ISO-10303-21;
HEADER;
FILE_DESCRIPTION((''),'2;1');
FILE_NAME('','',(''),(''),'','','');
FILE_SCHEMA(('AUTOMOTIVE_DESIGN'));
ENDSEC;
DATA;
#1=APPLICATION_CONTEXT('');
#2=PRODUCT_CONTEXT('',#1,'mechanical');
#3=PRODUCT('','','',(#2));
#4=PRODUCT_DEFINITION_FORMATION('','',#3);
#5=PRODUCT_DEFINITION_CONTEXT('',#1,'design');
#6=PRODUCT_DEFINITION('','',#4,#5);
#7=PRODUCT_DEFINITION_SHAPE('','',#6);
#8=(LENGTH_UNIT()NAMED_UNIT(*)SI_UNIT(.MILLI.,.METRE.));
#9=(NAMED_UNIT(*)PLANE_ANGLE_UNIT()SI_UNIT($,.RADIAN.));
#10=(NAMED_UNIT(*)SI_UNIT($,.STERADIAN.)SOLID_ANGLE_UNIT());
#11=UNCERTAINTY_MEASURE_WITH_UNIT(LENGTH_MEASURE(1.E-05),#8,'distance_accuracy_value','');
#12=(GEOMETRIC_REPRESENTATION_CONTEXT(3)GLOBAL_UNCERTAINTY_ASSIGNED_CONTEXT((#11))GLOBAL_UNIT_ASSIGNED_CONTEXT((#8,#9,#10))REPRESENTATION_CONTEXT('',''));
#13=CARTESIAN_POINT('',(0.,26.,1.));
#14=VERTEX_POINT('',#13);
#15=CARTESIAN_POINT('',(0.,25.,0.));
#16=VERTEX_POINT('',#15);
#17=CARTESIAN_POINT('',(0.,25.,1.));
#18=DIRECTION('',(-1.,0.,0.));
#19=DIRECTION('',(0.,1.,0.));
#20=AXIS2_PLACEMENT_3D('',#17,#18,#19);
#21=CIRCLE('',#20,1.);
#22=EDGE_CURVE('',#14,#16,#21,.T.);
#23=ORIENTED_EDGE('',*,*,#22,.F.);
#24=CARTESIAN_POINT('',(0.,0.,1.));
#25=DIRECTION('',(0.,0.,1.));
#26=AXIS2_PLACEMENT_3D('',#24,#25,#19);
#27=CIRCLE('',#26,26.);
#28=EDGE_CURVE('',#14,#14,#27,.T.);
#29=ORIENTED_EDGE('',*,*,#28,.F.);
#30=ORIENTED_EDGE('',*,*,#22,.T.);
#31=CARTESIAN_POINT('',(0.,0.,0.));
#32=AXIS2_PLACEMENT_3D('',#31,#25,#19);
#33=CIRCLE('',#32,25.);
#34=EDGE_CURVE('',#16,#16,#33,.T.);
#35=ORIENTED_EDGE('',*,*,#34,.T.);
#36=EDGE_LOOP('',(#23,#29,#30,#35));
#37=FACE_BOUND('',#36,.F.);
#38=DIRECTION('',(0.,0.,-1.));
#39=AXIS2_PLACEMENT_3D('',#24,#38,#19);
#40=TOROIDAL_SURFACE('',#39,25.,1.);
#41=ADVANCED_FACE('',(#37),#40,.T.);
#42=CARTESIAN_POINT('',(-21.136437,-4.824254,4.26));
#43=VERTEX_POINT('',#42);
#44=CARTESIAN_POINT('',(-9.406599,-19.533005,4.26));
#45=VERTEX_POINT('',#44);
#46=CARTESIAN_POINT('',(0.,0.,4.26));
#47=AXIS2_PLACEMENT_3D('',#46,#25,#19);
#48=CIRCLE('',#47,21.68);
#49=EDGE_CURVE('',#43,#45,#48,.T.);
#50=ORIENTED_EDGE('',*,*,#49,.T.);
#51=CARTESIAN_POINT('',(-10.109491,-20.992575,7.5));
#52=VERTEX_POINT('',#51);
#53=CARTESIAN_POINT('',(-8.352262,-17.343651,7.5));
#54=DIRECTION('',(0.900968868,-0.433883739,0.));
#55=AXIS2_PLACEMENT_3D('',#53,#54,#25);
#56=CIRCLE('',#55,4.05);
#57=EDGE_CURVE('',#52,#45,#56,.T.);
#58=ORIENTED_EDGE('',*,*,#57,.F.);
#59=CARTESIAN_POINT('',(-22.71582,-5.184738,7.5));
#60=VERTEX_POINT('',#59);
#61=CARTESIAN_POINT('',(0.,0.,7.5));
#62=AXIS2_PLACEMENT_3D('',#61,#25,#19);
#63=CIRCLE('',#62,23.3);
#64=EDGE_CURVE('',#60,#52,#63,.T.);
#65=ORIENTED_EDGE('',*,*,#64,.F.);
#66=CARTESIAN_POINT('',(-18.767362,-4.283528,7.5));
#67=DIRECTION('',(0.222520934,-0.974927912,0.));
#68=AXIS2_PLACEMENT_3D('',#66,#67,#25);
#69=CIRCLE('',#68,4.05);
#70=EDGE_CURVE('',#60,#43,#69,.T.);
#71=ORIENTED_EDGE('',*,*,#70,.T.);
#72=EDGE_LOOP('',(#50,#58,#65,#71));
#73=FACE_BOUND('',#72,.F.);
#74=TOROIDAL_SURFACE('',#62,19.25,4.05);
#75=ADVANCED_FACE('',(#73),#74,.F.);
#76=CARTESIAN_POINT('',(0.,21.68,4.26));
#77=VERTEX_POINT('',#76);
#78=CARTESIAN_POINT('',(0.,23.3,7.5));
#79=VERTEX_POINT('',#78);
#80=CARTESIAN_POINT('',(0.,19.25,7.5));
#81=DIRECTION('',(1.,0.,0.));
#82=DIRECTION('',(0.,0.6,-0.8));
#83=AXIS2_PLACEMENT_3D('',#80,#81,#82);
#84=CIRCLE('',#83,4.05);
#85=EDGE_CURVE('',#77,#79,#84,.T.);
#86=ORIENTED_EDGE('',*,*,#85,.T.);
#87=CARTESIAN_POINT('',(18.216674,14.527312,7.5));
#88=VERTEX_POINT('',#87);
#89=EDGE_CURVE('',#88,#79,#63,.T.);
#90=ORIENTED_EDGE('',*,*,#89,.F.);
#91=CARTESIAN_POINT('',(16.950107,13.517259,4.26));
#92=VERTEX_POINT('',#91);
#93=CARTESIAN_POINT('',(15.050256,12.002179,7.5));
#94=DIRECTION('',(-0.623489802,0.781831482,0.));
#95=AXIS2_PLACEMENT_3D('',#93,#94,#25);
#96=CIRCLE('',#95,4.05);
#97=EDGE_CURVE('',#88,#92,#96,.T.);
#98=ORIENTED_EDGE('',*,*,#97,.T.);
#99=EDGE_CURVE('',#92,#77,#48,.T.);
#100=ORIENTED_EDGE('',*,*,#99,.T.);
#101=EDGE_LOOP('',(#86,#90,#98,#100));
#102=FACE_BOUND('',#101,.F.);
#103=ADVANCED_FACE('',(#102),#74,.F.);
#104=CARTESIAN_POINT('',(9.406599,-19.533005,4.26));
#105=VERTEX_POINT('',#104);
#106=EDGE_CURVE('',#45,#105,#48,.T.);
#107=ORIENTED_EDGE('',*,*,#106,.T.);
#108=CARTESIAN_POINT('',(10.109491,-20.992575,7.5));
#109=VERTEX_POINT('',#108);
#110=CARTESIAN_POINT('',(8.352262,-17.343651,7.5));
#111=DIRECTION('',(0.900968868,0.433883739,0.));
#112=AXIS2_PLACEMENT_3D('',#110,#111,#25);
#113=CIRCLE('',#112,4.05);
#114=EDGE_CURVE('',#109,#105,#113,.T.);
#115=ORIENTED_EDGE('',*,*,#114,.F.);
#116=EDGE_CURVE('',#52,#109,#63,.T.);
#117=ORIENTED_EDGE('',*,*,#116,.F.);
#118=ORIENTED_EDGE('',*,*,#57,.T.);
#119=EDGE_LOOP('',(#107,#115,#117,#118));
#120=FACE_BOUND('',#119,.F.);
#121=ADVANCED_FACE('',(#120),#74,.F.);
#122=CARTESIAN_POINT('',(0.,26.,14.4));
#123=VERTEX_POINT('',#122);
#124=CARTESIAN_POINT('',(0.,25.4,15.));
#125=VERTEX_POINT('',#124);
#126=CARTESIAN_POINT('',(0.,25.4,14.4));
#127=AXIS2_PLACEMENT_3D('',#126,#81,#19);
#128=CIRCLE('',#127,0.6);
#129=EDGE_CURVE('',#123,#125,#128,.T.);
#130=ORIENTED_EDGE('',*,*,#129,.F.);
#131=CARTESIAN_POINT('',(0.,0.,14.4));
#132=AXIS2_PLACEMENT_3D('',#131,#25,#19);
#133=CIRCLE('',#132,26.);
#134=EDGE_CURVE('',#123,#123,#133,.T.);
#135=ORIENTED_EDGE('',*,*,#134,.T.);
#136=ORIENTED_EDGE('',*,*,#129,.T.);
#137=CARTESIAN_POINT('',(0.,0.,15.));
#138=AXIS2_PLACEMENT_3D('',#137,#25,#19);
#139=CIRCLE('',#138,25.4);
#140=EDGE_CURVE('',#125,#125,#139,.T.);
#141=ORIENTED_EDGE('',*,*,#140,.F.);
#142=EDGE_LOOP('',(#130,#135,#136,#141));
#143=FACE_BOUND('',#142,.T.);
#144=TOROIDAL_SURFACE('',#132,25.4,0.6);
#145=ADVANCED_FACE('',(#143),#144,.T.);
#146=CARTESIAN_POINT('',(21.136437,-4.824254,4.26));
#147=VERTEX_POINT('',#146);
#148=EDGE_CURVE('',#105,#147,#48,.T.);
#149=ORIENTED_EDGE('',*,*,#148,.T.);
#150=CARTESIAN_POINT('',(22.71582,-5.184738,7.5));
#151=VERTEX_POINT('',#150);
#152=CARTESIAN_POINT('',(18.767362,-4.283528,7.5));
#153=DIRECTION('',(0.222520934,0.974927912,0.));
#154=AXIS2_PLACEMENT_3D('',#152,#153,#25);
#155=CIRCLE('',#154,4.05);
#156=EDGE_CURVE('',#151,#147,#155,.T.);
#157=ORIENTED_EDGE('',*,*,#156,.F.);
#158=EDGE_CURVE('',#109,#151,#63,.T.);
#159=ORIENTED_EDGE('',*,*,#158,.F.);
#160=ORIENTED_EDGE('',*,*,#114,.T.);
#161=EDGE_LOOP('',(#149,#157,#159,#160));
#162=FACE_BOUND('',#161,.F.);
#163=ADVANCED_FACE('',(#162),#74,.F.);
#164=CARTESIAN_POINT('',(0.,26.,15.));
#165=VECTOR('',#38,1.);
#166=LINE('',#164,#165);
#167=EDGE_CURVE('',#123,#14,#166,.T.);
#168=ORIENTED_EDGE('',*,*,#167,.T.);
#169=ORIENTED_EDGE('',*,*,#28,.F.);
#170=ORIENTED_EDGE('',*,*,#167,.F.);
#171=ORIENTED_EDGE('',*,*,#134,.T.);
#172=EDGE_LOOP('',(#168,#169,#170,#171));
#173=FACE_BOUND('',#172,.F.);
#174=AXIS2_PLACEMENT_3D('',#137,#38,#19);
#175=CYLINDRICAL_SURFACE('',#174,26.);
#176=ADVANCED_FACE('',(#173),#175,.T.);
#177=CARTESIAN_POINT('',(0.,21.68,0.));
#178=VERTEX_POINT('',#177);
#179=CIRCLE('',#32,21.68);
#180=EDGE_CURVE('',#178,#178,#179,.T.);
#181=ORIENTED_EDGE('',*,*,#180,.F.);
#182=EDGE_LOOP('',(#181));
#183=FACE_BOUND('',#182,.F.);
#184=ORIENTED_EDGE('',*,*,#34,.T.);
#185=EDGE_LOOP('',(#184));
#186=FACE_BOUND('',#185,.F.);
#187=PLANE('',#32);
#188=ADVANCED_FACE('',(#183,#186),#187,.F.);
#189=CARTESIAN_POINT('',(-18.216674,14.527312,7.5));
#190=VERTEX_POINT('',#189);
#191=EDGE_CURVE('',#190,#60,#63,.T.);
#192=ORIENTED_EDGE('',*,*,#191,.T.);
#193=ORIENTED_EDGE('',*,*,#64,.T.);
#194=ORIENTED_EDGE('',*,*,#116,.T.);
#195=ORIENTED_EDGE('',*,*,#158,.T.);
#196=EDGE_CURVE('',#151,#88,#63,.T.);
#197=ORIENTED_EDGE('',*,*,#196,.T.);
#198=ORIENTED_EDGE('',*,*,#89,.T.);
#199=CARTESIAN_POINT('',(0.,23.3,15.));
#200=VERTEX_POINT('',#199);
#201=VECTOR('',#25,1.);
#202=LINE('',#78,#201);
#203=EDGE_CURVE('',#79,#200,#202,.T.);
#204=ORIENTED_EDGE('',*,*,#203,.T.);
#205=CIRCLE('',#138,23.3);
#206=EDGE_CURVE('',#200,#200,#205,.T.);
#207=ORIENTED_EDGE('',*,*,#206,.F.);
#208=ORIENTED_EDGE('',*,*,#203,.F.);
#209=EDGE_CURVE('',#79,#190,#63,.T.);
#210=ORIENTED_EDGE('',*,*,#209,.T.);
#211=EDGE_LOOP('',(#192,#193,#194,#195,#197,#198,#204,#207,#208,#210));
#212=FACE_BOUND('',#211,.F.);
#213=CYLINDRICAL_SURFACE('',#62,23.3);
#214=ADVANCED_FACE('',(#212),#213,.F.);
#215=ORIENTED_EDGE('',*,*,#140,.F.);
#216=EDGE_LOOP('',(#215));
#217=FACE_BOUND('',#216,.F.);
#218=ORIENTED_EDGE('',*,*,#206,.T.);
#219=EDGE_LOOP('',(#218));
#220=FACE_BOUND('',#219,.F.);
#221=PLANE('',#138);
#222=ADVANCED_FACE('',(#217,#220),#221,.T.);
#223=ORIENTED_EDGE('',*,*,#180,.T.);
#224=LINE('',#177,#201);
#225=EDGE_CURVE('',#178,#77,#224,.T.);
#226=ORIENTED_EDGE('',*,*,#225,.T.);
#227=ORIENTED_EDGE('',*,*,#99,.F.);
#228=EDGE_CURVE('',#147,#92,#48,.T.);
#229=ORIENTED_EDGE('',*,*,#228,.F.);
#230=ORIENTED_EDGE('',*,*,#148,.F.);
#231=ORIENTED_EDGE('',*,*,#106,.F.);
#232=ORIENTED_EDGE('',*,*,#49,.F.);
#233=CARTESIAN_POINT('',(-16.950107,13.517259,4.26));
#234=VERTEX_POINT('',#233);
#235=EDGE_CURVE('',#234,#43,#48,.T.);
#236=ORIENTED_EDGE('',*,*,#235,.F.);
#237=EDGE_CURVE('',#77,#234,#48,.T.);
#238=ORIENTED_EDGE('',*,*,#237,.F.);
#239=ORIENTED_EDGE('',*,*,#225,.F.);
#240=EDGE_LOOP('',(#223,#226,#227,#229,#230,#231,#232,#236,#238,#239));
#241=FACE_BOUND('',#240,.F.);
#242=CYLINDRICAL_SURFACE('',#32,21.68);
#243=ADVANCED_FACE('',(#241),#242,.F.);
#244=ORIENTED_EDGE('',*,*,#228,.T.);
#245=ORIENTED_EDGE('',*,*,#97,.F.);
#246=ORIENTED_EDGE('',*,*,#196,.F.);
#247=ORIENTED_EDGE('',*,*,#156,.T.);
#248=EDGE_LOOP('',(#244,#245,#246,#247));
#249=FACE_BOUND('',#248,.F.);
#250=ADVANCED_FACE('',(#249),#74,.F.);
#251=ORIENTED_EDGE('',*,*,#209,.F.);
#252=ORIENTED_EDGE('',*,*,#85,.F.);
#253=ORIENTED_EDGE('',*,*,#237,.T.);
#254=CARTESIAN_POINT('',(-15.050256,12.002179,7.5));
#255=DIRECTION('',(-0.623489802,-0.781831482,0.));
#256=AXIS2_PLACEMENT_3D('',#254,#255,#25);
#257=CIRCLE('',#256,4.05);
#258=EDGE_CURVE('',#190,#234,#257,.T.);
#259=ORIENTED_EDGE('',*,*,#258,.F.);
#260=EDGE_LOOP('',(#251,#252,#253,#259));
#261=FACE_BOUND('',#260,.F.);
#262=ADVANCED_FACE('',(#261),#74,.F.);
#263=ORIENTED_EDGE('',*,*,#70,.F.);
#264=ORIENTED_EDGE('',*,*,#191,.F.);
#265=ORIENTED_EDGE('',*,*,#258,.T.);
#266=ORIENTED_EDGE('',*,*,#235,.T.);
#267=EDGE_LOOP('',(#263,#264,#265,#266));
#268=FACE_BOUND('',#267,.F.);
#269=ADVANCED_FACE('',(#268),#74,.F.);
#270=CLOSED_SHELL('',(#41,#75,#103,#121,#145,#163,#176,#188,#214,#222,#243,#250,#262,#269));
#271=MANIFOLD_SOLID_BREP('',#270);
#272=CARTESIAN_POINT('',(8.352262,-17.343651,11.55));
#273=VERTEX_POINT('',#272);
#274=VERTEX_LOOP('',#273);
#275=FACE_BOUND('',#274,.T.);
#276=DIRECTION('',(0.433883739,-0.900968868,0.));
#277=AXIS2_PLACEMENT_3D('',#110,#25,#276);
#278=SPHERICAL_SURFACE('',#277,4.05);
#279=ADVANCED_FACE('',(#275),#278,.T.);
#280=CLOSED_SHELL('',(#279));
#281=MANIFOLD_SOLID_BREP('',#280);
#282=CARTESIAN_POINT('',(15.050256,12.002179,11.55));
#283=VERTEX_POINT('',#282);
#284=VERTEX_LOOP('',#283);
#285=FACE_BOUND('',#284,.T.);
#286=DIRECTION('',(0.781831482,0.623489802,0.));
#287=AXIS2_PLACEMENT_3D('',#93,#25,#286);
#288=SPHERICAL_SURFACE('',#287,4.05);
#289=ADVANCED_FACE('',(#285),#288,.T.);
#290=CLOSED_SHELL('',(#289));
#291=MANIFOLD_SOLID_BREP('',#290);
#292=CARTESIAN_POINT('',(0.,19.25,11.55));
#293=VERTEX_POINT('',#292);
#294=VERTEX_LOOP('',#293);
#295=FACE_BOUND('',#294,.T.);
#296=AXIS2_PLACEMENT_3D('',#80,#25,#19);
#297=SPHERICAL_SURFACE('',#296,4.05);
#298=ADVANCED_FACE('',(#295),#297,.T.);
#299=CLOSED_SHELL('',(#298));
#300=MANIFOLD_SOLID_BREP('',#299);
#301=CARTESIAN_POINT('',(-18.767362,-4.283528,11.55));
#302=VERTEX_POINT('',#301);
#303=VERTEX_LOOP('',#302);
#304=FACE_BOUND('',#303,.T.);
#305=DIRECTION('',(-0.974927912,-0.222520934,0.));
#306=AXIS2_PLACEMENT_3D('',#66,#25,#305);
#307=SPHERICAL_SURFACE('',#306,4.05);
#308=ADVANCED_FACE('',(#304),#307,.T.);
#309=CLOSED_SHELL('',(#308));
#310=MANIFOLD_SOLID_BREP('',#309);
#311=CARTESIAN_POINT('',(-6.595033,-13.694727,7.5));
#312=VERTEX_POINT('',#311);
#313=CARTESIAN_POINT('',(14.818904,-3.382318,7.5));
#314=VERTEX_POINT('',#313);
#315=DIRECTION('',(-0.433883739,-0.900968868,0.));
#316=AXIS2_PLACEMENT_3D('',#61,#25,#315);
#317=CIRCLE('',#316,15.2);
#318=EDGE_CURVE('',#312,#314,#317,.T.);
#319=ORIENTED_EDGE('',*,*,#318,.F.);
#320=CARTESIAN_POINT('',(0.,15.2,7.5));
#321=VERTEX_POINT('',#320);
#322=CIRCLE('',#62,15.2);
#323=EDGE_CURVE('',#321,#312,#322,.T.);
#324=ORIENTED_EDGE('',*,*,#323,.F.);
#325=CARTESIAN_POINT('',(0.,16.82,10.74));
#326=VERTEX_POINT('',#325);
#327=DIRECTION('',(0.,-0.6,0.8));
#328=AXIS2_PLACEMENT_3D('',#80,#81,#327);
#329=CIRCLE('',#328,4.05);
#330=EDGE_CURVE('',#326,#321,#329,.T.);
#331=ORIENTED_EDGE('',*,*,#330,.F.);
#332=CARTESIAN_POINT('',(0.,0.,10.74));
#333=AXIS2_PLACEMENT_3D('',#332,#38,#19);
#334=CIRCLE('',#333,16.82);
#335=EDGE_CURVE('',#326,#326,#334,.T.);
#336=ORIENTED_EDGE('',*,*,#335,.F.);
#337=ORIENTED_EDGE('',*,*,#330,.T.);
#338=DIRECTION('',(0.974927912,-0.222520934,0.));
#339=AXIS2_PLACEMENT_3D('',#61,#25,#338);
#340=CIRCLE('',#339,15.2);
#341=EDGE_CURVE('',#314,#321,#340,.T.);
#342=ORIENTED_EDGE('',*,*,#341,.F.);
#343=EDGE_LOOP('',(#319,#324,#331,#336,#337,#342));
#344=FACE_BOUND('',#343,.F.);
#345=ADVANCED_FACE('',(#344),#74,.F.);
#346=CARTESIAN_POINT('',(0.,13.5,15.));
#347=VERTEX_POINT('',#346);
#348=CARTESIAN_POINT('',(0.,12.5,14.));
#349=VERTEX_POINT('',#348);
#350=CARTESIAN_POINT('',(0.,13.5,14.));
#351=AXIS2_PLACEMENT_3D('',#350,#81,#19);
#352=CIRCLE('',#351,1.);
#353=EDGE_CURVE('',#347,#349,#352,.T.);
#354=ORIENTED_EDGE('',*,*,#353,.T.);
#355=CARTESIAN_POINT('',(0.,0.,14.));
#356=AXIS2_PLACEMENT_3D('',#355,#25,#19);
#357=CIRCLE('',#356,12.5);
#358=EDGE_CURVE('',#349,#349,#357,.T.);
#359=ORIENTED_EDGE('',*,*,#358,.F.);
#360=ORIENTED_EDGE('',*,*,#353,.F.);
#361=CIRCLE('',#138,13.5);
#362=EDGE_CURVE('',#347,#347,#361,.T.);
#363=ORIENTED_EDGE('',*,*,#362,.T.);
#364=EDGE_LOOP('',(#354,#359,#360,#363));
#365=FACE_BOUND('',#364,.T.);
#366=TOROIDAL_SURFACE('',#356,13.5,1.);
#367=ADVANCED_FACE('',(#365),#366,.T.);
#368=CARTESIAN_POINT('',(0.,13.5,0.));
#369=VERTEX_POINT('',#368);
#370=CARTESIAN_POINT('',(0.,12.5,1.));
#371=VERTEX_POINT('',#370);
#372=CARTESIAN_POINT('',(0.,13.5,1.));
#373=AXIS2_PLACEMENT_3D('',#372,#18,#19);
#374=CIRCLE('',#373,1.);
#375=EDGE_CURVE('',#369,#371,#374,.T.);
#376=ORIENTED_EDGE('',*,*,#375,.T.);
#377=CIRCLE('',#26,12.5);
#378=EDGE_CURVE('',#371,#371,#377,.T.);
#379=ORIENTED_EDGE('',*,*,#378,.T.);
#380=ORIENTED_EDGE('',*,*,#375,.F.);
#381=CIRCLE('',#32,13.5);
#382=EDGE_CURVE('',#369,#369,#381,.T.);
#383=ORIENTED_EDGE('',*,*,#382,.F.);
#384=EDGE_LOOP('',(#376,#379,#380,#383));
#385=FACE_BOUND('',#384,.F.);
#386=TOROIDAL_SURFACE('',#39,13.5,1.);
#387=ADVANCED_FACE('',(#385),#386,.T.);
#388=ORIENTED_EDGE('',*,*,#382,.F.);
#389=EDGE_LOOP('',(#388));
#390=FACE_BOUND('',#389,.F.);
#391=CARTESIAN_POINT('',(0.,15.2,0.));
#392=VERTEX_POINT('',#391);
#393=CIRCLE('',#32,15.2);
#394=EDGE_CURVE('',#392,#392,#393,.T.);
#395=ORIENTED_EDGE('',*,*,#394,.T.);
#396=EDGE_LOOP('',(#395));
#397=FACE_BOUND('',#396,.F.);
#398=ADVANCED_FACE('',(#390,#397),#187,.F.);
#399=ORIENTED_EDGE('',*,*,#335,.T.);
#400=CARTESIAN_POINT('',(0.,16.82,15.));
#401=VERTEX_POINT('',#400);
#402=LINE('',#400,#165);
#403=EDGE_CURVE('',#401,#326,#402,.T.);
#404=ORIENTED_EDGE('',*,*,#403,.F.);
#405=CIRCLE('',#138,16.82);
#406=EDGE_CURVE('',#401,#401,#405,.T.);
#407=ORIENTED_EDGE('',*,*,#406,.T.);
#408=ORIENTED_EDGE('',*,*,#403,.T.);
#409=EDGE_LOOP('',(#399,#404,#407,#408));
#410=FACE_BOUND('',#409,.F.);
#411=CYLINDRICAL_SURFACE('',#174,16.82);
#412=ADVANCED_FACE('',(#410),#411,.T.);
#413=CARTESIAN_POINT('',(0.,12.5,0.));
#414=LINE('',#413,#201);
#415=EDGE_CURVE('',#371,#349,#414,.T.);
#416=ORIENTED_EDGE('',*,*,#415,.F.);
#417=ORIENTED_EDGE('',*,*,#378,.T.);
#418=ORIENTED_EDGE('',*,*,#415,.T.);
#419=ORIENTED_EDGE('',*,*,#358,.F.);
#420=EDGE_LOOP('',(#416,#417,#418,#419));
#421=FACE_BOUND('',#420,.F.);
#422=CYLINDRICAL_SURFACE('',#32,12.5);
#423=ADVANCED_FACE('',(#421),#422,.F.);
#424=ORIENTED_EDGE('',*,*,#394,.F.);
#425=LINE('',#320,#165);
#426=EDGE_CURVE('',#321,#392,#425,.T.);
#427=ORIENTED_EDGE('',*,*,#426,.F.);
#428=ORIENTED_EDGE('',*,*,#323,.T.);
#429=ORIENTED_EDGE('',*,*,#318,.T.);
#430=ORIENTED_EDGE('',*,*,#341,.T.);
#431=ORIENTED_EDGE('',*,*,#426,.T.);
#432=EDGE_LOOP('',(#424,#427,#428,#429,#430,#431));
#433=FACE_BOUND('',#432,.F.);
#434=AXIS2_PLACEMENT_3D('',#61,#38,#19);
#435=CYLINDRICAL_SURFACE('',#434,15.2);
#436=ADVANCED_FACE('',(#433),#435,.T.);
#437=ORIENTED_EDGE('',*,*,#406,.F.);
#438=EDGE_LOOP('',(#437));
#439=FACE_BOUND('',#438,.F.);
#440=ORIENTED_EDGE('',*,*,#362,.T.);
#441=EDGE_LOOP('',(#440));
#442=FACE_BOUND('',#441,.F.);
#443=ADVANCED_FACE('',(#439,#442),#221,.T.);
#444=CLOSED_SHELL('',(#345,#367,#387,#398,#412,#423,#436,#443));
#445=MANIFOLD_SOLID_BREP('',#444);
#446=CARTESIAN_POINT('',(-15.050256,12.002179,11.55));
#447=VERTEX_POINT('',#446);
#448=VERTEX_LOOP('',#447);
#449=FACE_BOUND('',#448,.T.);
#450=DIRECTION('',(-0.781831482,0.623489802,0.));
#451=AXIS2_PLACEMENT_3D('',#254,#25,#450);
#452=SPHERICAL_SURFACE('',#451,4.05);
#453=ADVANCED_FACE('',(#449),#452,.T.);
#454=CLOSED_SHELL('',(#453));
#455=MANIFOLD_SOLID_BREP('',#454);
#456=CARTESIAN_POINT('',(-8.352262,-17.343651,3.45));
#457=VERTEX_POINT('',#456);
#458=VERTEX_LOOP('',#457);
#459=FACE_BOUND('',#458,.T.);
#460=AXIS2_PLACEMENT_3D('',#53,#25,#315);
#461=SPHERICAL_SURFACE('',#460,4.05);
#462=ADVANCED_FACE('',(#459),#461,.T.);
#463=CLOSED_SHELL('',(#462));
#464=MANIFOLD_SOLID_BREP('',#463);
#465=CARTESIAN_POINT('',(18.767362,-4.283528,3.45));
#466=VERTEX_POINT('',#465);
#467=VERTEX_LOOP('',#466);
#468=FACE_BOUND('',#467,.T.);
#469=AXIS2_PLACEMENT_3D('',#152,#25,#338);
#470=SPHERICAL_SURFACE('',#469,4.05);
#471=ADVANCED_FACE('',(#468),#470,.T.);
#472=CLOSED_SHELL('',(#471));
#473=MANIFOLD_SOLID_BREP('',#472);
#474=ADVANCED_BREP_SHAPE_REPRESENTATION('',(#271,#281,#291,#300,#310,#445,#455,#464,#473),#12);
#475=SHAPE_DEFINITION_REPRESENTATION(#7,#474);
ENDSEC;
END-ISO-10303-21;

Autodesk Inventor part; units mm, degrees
ref_plane "WorkPlane1" through (0, 0, 0) normal (0, 0, 1) x (1, 0, 0)
ref_plane "Work Plane2" through (0, 0, -15) normal (0, 0, 1) x (1, 0, 0)
ref_plane "WorkPlane2" through (0, 0, 14) normal (0, 0, 1) x (1, 0, 0)
sketch "Sketch1" plane through (0, 0, 0) normal (-1, 0, 0) x (0, -1, 0)
  point P0 (0, 0)
sketch "Sketch2" plane through (0, 0, 0) normal (0, 0, 1) x (1, 0, 0)
  point P0 (0, 0)
sketch "Sketch3" plane through (0, 0, 14) normal (0, 0, 1) x (1, 0, 0)
  point P0 (0, 0)
sketch "Sketch4" plane through (0, 0, 0) normal (1, 0, 0) x (0, 1, 0)
  line L0 (26, 0) -> (12.5, 0)
  line L1 (26, 15) -> (26, 0)
  line L2 (12.5, 15) -> (26, 15)
  line L3 (12.5, 0) -> (12.5, 15)
  line L4 (0, -3.737) -> (0, 15.9311) construction
  line L5 (0, -3.737) -> (0, 15.9311)
  line L6 (0, -7.6706) -> (0, 19.8647) projected
  line L7 (-4.7, 0) -> (28.2, 0) projected
  dimension "d2" = 12.5
  dimension "d4" = 26
  dimension "d6" = 15
revolve "Revolution1" add sketch "Sketch4" angle 360 about axis through (0, 0, -3.737) along (0, 0, 1)
sketch "Sketch5" plane through (0, 0, 0) normal (1, 0, 0) x (0, 1, 0)
  line L0 (23.3, 15) -> (16.82, 15)
  line L1 (23.3, 7.5) -> (23.3, 15)
  arc A0 (21.68, 4.26) -> (23.3, 7.5) centre (19.25, 7.5) ccw
  line L2 (21.68, 0) -> (21.68, 4.26)
  line L3 (15.2, 0) -> (21.68, 0)
  line L4 (15.2, 7.5) -> (15.2, 0)
  arc A1 (16.82, 10.74) -> (15.2, 7.5) centre (19.25, 7.5) ccw
  line L5 (16.82, 15) -> (16.82, 10.74)
  circle A2 centre (19.25, 7.5) radius 4.05 construction
  line L6 (26, 0) -> (-26, 0) construction
  line L7 (26, 15) -> (-26, 15) construction
  line L8 (0, 40.9632) -> (0, -26.9632)
  line L9 (0, -40.5485) -> (0, 54.5485) projected
  dimension "d9" = 7.5
  dimension "d11" = 8.1
  dimension "d21" = 38.5
  dimension "d22" = 33.64
  dimension "d23" = 43.36
revolve "Revolution2" cut sketch "Sketch5" angle 360 about axis through (0, 0, 40.9632) along (0, 0, 1)
sketch "Sketch6" plane through (0, 0, 0) normal (1, 0, 0) x (0, 1, 0)
  line L0 (19.25, 3.45) -> (19.25, 11.55)
  arc A0 (19.25, 3.45) -> (19.25, 11.55) centre (19.25, 7.5) ccw
  line L1 (19.25, 15.6754) -> (19.25, -0.5126) construction
  line L2 (26, 0) -> (-26, 0) construction
  line L3 (19.25, 15.6754) -> (19.25, -0.5126)
  arc A1 (16.82, 10.74) -> (15.2, 7.5) centre (19.25, 7.5) ccw projected
  line L4 (23.3, 7.5) -> (-23.3, 7.5) projected
  dimension "d14" = 4.05
revolve "Revolution3" add sketch "Sketch6" angle 360 about axis through (0, 19.25, 15.6754) along (0, 0, 1)
pattern_circular "PolarArray1" count 7 over 360 about axis through (0, 0, 0) along (0, 0, 1) of "Revolution3"
fillet "Fillet1" radius 0.6 1 edges at (0, -26, 15)
fillet "Fillet2" radius 1 3 edges at (0, -26, 0) (0, -12.5, 15) (0, -12.5, 0)
equation "\"d19\" = r1"
equation "\"d20\" = r"
equation "\"d2\" = 0.5 * Diam"
equation "\"d4\" = 0.5 * DD"
equation "\"d6\" = B"
equation "\"d9\" = 0.5 * B"
equation "\"d11\" = msp_mdtdk"
equation "\"d21\" = msp_mdtds"
equation "\"d22\" = msp_md"
equation "\"d23\" = msp_vd"
equation "\"d14\" = 0.5 * msp_mdtdk"
equation "\"Diam\" = 25"
equation "\"DD\" = 52"
equation "\"B\" = 15"
equation "\"r\" = 1"
equation "\"msp_mdtdk\" = -0.3 * Diam + 0.3 * DD"
equation "\"msp_mdtds\" = 0.5 * DD + 0.5 * Diam"
equation "\"msp_md\" = msp_mdtds - 0.6 * msp_mdtdk"
equation "\"msp_vd\" = msp_mdtds + 0.6 * msp_mdtdk"
equation "\"r1\" = 0.6"
properties part number "BS 290 SKF - SKF 7205 BE" material "Steel, Mild"
